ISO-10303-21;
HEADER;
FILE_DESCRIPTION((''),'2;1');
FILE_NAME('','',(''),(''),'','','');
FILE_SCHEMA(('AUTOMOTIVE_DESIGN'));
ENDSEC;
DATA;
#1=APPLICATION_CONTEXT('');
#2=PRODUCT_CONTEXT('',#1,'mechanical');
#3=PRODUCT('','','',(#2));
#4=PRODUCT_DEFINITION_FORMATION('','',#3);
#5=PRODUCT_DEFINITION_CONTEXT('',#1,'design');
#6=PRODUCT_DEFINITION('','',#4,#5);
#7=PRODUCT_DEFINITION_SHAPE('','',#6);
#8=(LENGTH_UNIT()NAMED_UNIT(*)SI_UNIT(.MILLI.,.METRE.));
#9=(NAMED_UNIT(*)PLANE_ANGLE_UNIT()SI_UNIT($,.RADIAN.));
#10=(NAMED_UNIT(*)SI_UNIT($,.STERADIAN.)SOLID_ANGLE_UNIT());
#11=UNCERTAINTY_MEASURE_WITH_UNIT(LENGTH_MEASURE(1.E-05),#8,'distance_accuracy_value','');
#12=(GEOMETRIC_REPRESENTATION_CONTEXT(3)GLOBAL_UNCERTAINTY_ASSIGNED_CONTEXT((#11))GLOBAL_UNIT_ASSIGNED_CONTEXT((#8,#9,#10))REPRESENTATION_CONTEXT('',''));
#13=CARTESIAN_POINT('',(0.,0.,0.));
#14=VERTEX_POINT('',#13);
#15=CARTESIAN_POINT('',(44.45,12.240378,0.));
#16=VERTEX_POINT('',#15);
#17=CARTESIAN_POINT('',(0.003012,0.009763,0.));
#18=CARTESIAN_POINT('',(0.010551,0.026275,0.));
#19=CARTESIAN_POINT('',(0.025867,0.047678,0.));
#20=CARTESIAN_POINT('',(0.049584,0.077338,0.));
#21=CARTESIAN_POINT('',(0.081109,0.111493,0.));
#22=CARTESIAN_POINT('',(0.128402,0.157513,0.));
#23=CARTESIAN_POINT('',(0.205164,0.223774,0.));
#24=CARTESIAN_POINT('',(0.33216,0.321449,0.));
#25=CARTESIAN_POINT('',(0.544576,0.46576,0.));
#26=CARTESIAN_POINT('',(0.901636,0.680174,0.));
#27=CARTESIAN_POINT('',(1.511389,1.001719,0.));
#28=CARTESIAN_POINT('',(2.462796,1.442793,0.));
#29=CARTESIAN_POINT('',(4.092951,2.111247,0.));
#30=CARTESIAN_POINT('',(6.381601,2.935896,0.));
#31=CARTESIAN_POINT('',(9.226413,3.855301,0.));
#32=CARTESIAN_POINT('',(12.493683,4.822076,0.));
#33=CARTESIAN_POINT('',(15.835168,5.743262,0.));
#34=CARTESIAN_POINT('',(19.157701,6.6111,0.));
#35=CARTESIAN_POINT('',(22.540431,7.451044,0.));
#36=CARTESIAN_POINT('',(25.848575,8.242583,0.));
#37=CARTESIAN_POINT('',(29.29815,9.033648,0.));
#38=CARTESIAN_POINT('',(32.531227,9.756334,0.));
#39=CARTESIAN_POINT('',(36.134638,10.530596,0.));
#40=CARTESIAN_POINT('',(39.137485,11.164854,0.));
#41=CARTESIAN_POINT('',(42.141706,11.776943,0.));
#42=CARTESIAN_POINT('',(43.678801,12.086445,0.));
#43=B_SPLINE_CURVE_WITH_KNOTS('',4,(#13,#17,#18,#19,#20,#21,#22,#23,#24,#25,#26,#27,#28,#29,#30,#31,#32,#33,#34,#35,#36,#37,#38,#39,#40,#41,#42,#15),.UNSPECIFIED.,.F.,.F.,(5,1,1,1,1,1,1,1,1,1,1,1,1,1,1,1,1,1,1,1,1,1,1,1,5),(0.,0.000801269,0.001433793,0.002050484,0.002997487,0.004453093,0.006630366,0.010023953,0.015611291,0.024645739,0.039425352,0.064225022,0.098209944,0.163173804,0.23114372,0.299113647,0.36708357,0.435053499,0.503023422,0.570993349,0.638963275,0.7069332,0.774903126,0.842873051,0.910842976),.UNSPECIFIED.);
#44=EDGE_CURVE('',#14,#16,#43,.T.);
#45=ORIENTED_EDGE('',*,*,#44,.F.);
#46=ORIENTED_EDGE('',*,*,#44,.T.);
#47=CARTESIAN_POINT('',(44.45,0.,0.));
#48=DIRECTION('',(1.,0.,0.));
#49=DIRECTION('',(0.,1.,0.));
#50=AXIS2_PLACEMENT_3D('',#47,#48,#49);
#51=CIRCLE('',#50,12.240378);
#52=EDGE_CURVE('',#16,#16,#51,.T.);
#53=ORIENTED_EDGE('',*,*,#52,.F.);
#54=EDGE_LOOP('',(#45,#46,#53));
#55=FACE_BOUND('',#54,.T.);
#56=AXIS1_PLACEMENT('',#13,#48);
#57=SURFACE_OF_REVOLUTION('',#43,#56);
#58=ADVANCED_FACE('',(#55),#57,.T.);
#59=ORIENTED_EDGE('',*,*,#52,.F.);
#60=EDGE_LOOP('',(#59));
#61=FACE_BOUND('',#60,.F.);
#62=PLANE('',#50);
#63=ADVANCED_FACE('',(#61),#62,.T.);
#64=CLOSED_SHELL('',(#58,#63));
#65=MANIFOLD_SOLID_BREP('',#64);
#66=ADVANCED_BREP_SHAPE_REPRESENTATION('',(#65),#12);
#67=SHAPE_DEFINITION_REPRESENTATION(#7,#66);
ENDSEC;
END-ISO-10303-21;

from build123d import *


with BuildPart() as part:
    # Sketch1 → Revolve1 (revolve)
    with BuildSketch(Plane.XY):
        with BuildLine():
            Line((0, 0), (44.45, 0))
            Line((44.45, 0), (44.45, 12.240378041))
            add(Edge.make_bspline(
                [(0, 0), (0.003011993, 0.009762905), (0.010551133, 0.02627483), (0.02586653, 0.047678002), (0.049584294, 0.077338244), (0.081109462, 0.111493124), (0.128401712, 0.157512982), (0.205163795, 0.22377356), (0.332159509, 0.321448772), (0.544576149, 0.465759826), (0.901635526, 0.680174208), (1.511388987, 1.001718774), (2.462796137, 1.442793313), (4.09295059, 2.111247407), (6.381601098, 2.935896342), (9.2264135, 3.855300668), (12.493682634, 4.822076041), (15.835168377, 5.74326247), (19.15770136, 6.611100285), (22.540430849, 7.451044456), (25.848575151, 8.242583043), (29.298149728, 9.033648458), (32.531227192, 9.756334274), (36.13463826, 10.530595732), (39.137485197, 11.164854423), (42.141706028, 11.776943106), (43.678800663, 12.086444554), (44.45, 12.240378041)],
                knots=[0, 0, 0, 0, 0, 0.000801269, 0.001433793, 0.002050484, 0.002997487, 0.004453093, 0.006630366, 0.010023953, 0.015611291, 0.024645739, 0.039425352, 0.064225022, 0.098209944, 0.163173804, 0.23114372, 0.299113647, 0.36708357, 0.435053499, 0.503023422, 0.570993349, 0.638963275, 0.7069332, 0.774903126, 0.842873051, 0.910842976, 0.910842976, 0.910842976, 0.910842976, 0.910842976], degree=4))
        make_face()
    revolve(axis=Axis((0, 0, 0), (1, 0, 0)))


solid = part.part
